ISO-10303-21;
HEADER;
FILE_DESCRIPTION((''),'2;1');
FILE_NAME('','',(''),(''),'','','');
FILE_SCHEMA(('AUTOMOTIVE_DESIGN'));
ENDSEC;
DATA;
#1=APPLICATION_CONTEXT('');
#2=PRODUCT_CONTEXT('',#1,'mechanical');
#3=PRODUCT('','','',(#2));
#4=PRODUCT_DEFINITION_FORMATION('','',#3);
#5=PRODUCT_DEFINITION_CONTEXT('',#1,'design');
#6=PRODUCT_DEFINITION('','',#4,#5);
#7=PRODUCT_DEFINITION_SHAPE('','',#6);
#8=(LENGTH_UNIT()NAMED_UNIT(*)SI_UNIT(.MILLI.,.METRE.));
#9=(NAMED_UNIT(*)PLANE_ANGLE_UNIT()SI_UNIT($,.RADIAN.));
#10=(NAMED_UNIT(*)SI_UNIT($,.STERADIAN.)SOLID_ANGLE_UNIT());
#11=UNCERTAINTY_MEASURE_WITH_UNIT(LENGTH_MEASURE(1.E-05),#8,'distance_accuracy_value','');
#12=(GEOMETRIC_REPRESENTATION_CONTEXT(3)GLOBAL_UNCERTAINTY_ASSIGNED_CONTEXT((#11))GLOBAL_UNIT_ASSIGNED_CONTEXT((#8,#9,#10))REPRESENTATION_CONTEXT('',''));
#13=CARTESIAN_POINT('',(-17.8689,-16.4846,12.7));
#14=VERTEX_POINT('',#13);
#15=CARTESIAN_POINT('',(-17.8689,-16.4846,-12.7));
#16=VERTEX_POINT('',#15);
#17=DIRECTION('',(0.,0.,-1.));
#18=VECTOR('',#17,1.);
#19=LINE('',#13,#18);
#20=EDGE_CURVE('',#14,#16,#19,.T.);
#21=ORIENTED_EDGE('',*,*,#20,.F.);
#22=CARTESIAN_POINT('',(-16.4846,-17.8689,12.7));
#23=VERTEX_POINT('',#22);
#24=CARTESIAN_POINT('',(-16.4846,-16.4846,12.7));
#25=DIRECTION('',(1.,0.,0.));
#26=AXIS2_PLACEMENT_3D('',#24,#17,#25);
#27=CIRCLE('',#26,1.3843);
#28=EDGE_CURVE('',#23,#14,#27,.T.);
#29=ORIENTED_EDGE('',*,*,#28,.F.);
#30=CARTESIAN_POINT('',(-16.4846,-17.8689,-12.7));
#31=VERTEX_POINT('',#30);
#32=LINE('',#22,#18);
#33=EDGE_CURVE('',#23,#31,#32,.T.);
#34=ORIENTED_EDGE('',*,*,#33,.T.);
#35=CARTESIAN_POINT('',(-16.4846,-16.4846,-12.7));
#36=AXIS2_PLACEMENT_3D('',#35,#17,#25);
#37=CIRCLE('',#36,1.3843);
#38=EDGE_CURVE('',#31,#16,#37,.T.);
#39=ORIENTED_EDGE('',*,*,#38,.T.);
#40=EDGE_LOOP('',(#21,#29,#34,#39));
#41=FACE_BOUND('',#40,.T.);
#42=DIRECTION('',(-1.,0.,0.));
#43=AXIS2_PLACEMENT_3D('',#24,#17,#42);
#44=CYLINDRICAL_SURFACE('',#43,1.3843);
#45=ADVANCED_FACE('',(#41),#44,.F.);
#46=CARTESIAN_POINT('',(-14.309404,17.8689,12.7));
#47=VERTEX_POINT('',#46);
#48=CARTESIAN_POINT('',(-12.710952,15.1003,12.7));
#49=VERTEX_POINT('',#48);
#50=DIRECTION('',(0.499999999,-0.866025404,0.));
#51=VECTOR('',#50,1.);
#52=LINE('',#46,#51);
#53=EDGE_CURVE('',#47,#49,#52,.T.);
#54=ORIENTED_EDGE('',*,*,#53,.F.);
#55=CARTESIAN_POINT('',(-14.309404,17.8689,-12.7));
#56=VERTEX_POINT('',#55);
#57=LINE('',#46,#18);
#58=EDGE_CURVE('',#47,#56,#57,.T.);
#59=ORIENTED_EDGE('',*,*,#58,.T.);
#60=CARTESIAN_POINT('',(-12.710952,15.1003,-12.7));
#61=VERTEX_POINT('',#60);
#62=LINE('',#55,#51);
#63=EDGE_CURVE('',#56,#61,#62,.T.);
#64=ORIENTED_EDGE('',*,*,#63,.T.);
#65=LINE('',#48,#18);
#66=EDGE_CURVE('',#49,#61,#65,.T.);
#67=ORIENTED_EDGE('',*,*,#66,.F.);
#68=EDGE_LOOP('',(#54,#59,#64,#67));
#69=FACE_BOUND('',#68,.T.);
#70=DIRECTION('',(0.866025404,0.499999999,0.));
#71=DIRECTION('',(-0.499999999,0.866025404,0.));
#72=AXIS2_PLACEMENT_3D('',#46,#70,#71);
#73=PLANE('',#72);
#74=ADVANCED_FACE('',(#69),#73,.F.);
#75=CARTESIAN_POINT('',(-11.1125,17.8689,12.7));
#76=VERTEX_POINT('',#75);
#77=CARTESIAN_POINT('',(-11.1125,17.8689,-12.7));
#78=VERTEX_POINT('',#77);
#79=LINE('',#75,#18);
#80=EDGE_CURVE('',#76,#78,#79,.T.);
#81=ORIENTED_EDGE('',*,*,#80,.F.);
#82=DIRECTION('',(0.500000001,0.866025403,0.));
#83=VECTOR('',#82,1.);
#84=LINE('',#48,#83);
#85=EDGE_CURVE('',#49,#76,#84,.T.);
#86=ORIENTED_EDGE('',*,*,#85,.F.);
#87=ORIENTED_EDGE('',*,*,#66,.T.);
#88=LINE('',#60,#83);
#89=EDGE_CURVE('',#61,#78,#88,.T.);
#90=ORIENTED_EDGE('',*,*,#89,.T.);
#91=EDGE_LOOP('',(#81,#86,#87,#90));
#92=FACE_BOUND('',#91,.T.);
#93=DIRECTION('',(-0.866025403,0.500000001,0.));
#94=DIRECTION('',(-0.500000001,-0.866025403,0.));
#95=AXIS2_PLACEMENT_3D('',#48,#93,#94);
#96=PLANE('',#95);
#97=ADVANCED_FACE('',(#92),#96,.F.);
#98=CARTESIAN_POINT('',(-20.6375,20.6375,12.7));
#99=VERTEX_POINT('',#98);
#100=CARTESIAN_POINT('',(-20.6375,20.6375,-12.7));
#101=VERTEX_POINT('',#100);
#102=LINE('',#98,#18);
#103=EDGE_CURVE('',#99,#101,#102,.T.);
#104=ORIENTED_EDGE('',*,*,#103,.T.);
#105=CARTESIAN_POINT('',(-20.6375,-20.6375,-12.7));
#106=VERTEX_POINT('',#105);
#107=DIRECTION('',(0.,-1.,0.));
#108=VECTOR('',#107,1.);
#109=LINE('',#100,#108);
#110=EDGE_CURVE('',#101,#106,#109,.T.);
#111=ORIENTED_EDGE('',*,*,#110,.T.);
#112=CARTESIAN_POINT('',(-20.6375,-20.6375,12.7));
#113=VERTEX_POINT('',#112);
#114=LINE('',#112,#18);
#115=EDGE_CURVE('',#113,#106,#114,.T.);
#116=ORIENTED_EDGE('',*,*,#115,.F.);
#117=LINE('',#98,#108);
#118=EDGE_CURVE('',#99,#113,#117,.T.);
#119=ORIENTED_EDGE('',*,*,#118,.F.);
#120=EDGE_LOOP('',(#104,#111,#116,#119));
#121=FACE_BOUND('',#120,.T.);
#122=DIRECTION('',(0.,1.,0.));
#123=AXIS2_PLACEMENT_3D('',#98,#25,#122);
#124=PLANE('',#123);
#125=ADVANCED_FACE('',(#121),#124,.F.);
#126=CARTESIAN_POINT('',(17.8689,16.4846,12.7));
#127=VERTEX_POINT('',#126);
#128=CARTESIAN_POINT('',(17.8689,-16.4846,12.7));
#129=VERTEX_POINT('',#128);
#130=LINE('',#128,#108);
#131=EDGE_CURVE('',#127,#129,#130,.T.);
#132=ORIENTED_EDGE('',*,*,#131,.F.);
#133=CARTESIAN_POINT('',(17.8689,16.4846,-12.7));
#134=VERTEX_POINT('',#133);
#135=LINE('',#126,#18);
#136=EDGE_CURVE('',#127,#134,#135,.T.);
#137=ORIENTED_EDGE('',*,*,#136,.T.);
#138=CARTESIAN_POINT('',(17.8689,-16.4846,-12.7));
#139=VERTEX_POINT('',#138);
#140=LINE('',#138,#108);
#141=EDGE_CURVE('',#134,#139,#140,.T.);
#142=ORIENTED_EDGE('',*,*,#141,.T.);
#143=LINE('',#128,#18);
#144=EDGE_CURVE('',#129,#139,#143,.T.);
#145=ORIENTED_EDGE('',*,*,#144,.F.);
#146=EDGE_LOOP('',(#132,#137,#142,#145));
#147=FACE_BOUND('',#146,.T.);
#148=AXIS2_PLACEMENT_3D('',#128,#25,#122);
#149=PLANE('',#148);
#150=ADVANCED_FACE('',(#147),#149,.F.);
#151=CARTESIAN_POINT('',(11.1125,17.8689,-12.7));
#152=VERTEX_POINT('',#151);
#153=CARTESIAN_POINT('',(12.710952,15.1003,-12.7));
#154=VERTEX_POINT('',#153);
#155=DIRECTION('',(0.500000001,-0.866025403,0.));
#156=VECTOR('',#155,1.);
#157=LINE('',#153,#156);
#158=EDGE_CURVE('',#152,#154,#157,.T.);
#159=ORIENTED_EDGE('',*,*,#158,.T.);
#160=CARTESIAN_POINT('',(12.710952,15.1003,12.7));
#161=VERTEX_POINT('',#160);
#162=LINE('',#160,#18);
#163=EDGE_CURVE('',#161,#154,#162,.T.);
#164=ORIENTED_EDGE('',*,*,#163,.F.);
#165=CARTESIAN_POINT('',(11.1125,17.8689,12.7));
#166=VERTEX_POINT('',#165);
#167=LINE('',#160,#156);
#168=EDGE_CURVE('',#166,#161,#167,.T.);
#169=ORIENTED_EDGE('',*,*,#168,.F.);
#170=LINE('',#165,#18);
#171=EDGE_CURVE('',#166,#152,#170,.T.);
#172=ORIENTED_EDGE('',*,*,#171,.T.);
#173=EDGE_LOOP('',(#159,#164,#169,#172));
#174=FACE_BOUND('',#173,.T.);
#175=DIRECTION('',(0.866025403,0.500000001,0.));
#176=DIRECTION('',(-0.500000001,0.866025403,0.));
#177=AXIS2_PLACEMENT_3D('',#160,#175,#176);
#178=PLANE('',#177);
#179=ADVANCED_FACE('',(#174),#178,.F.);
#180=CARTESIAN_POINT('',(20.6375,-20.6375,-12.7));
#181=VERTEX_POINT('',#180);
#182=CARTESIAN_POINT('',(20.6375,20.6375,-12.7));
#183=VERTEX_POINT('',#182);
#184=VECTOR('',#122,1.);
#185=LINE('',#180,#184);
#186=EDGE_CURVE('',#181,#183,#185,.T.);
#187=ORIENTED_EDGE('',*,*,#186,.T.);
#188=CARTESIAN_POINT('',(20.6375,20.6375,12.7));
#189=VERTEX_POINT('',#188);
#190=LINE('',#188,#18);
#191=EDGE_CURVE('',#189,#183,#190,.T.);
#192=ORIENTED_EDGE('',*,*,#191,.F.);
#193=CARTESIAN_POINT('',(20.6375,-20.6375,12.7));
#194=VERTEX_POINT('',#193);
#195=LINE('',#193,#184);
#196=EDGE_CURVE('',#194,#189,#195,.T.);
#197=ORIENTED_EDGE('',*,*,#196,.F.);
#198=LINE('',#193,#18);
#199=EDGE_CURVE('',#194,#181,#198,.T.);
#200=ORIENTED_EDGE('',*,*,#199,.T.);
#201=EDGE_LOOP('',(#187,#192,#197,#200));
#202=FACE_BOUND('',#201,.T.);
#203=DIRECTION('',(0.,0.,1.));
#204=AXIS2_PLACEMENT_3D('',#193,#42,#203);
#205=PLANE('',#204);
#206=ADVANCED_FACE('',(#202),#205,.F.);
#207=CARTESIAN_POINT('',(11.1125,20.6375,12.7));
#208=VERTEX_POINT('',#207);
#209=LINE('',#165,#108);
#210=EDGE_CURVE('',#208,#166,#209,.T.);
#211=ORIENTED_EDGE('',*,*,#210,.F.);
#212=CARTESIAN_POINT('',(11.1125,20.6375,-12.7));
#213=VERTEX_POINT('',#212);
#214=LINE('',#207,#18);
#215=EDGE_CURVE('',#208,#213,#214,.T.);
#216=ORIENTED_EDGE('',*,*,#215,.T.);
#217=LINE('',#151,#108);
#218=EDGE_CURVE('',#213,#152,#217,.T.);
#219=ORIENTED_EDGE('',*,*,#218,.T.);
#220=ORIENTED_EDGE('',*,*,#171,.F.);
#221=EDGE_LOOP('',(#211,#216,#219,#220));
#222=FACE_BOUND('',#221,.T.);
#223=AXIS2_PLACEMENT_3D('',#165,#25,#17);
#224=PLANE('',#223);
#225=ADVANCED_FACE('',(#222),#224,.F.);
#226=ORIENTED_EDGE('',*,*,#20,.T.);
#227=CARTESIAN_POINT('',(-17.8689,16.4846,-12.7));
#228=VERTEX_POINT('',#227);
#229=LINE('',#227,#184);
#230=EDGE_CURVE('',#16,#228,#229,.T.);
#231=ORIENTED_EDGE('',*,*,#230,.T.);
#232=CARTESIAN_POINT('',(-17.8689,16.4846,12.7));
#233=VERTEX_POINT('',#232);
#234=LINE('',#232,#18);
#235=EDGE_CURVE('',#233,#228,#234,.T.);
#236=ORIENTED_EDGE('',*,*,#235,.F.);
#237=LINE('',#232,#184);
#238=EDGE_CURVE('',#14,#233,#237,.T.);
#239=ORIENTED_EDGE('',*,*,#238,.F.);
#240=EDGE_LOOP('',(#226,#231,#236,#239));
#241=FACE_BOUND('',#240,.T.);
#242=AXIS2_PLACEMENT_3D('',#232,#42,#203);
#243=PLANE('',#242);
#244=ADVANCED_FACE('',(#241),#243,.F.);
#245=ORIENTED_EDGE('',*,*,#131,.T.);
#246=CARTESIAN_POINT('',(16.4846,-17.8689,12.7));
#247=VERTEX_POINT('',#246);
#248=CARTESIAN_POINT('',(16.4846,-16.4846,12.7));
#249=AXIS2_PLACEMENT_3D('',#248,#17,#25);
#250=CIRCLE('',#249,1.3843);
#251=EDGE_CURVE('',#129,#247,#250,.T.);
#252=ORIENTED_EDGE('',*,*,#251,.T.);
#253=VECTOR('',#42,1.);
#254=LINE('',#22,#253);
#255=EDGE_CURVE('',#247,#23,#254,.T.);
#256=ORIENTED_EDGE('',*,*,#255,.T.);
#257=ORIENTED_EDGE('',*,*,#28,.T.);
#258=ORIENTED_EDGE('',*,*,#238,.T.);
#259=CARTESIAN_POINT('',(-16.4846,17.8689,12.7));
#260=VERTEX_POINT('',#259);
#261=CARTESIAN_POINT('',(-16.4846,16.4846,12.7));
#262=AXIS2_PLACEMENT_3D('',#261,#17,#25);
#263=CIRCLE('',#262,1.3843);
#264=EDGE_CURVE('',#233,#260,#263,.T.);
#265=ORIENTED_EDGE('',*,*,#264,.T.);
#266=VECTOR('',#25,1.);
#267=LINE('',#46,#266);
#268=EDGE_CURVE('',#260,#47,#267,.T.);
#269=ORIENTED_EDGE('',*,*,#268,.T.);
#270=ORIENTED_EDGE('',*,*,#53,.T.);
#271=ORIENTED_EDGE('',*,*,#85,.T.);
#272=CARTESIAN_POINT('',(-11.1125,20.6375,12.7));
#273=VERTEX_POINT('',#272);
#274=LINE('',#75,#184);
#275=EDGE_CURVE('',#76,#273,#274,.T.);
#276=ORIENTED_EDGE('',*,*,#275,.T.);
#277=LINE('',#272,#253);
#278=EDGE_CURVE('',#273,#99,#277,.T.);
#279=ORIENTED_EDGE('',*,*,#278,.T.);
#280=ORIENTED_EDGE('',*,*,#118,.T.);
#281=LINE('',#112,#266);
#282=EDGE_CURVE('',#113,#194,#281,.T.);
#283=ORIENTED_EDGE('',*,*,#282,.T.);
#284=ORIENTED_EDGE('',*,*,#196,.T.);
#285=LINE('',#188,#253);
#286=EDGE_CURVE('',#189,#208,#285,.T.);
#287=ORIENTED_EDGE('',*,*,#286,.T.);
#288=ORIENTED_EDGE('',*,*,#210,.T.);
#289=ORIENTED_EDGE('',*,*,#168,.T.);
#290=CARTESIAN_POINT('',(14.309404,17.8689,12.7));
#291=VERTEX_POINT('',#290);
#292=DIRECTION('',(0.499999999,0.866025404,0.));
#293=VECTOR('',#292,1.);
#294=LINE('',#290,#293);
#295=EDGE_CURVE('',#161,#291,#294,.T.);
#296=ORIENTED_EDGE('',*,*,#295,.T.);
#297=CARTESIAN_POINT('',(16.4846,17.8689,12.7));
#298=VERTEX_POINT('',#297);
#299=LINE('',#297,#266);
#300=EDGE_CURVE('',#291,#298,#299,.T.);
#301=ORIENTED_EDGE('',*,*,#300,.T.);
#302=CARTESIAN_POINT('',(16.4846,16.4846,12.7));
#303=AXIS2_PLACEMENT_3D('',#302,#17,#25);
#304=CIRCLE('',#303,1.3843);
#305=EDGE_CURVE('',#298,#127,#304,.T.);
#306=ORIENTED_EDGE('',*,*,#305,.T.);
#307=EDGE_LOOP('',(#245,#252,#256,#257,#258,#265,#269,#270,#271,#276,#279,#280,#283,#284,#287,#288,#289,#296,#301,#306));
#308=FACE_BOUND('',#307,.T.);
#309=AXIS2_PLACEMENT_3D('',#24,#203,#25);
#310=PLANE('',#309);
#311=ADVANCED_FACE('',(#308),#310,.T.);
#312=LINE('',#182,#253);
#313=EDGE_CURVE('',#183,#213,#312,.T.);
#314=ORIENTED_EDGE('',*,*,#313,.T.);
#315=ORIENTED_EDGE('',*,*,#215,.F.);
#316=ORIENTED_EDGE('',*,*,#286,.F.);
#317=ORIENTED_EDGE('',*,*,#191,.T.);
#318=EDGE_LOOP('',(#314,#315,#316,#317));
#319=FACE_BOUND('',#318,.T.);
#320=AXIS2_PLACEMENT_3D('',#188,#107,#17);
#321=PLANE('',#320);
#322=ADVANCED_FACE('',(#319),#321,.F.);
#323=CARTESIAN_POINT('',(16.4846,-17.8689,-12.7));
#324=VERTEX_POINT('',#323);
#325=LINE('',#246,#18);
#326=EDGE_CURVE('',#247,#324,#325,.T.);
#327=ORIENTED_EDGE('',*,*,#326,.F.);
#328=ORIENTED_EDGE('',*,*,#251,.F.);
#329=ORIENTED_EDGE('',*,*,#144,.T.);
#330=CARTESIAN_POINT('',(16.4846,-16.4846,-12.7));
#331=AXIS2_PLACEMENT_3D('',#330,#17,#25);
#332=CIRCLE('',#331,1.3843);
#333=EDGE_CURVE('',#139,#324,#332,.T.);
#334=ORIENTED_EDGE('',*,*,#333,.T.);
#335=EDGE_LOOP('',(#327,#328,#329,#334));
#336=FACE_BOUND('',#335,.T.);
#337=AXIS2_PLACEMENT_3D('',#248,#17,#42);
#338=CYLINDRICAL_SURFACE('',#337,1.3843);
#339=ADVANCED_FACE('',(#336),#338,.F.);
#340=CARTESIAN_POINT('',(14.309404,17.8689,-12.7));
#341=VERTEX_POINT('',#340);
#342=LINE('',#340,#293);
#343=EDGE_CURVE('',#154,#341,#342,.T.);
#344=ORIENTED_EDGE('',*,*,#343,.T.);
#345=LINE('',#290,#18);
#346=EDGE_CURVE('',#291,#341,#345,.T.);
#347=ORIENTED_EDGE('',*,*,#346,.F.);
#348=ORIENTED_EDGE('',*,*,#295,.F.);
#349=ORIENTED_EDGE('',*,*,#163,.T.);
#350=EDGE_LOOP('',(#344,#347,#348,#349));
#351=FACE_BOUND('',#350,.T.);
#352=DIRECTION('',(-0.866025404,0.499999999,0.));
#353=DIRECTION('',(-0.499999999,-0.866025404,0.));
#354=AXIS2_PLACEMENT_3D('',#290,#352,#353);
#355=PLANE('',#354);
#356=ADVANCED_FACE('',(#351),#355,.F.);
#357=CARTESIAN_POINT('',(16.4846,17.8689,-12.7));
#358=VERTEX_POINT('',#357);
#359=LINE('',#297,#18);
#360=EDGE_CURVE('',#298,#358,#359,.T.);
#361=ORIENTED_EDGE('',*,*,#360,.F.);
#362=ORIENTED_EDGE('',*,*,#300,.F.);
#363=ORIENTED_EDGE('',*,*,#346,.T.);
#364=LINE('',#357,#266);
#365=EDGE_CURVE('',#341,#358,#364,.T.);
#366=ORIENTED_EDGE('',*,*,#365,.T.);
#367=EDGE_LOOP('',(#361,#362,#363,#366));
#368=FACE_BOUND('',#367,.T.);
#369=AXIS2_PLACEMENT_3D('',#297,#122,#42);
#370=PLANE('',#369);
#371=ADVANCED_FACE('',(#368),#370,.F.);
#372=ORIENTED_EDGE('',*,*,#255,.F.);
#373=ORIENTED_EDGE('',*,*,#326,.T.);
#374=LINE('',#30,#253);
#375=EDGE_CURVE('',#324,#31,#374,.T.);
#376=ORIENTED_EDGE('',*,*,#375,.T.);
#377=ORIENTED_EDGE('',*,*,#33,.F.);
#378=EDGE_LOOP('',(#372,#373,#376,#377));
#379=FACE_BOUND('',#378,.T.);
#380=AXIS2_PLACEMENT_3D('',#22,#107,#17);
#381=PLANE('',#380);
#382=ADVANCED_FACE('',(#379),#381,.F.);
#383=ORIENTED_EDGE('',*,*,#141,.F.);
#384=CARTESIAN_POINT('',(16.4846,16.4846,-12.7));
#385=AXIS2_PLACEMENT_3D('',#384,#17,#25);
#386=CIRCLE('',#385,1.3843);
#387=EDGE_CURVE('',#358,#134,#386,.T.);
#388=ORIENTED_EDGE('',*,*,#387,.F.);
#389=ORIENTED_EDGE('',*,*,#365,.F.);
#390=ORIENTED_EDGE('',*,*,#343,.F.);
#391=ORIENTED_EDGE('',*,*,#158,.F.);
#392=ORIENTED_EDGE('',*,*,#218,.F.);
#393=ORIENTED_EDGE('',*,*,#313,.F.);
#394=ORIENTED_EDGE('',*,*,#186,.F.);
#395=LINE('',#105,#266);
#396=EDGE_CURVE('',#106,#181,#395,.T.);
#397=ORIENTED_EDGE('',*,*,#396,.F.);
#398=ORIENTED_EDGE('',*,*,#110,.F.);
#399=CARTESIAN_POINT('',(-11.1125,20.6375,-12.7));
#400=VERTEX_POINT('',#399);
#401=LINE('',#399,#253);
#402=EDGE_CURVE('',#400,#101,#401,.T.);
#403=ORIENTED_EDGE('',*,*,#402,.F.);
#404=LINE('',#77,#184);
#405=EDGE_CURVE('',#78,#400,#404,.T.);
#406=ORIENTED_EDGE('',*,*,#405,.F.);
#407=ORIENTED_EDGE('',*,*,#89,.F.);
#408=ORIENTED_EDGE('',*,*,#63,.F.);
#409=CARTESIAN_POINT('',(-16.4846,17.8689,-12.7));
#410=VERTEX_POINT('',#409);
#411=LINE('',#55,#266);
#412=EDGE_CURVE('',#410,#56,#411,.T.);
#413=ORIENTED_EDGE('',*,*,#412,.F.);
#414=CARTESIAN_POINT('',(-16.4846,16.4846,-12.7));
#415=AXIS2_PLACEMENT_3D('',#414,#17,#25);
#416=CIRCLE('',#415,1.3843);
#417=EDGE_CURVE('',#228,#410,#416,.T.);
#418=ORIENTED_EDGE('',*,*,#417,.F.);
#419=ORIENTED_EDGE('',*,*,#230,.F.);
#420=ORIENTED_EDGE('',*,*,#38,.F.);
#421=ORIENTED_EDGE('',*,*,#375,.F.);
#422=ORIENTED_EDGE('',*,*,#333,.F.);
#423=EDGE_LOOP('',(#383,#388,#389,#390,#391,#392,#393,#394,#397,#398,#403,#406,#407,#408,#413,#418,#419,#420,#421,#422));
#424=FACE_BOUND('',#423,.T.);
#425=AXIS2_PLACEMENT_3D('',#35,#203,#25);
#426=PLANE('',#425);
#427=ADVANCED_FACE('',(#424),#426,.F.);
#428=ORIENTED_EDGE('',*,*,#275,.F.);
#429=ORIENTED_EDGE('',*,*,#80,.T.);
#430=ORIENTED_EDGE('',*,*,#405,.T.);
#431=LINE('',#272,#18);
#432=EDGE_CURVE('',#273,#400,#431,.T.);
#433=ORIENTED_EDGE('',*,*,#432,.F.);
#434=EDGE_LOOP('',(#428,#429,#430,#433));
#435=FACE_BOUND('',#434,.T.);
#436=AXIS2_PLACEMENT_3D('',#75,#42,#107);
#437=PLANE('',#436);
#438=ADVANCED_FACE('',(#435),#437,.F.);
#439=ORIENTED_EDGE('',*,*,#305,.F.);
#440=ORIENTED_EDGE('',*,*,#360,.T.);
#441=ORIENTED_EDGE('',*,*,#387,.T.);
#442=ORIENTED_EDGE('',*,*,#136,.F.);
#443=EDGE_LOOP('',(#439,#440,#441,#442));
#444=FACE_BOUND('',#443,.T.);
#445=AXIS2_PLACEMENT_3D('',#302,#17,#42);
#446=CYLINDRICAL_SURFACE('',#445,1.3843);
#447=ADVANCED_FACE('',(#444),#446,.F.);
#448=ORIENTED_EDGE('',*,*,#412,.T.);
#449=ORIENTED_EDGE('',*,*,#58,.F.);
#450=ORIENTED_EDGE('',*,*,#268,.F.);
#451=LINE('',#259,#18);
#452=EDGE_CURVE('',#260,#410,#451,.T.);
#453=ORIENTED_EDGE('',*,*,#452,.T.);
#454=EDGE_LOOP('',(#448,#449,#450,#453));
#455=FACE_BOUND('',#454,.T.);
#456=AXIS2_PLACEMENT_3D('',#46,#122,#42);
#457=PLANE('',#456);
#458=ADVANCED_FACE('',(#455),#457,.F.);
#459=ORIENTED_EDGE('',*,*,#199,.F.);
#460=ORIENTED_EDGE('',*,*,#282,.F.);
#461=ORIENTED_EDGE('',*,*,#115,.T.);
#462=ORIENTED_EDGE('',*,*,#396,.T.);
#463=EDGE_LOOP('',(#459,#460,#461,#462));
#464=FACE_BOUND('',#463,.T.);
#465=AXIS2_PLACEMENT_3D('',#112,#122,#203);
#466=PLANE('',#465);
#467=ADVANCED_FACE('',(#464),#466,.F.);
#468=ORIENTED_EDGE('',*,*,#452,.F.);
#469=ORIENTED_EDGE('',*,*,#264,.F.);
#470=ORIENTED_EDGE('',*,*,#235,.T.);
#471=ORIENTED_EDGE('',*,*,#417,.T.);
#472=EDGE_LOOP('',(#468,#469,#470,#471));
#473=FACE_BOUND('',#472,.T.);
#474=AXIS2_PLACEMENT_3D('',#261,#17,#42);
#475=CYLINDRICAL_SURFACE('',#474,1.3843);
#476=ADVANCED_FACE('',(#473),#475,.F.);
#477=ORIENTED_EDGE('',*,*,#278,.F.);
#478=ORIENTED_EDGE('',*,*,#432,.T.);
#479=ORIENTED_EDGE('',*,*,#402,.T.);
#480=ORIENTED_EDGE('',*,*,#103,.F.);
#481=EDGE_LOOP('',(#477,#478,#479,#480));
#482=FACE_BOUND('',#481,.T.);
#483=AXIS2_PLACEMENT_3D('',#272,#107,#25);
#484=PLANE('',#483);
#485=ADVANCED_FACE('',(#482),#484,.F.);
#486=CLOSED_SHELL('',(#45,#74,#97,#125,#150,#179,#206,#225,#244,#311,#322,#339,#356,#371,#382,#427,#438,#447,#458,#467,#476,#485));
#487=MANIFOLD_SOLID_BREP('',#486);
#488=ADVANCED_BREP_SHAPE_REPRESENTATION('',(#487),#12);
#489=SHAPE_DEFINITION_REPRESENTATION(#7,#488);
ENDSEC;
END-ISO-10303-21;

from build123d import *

# Parameters (mm, degrees)
BASE_EXTRUDE_DEPTH = 12.7


with BuildPart() as part:
    # Sketch1 → Base-Extrude (new, symmetric)
    with BuildSketch(Plane.XY):
        with BuildLine():
            Line((-11.1125, 20.6375), (-20.6375, 20.6375))
            Line((-20.6375, 20.6375), (-20.6375, -20.6375))
            Line((-20.6375, -20.6375), (20.6375, -20.6375))
            Line((20.6375, -20.6375), (20.6375, 20.6375))
            Line((20.6375, 20.6375), (11.1125, 20.6375))
            Line((11.1125, 20.6375), (11.1125, 17.8689))
            Line((11.1125, 17.8689), (12.710951958, 15.1003))
            Line((12.710951958, 15.1003), (14.309403911, 17.8689))
            Line((14.309403911, 17.8689), (16.4846, 17.8689))
            ThreePointArc((16.4846, 17.8689), (17.463447917, 17.463447917), (17.8689, 16.4846))
            Line((17.8689, 16.4846), (17.8689, -16.4846))
            ThreePointArc((17.8689, -16.4846), (17.463447917, -17.463447917), (16.4846, -17.8689))
            Line((16.4846, -17.8689), (-16.4846, -17.8689))
            ThreePointArc((-16.4846, -17.8689), (-17.463447917, -17.463447917), (-17.8689, -16.4846))
            Line((-17.8689, -16.4846), (-17.8689, 16.4846))
            ThreePointArc((-17.8689, 16.4846), (-17.463447917, 17.463447917), (-16.4846, 17.8689))
            Line((-16.4846, 17.8689), (-14.309403911, 17.8689))
            Line((-14.309403911, 17.8689), (-12.710951958, 15.1003))
            Line((-12.710951958, 15.1003), (-11.1125, 17.8689))
            Line((-11.1125, 17.8689), (-11.1125, 20.6375))
        make_face()
    extrude(amount=BASE_EXTRUDE_DEPTH, both=True)


solid = part.part
